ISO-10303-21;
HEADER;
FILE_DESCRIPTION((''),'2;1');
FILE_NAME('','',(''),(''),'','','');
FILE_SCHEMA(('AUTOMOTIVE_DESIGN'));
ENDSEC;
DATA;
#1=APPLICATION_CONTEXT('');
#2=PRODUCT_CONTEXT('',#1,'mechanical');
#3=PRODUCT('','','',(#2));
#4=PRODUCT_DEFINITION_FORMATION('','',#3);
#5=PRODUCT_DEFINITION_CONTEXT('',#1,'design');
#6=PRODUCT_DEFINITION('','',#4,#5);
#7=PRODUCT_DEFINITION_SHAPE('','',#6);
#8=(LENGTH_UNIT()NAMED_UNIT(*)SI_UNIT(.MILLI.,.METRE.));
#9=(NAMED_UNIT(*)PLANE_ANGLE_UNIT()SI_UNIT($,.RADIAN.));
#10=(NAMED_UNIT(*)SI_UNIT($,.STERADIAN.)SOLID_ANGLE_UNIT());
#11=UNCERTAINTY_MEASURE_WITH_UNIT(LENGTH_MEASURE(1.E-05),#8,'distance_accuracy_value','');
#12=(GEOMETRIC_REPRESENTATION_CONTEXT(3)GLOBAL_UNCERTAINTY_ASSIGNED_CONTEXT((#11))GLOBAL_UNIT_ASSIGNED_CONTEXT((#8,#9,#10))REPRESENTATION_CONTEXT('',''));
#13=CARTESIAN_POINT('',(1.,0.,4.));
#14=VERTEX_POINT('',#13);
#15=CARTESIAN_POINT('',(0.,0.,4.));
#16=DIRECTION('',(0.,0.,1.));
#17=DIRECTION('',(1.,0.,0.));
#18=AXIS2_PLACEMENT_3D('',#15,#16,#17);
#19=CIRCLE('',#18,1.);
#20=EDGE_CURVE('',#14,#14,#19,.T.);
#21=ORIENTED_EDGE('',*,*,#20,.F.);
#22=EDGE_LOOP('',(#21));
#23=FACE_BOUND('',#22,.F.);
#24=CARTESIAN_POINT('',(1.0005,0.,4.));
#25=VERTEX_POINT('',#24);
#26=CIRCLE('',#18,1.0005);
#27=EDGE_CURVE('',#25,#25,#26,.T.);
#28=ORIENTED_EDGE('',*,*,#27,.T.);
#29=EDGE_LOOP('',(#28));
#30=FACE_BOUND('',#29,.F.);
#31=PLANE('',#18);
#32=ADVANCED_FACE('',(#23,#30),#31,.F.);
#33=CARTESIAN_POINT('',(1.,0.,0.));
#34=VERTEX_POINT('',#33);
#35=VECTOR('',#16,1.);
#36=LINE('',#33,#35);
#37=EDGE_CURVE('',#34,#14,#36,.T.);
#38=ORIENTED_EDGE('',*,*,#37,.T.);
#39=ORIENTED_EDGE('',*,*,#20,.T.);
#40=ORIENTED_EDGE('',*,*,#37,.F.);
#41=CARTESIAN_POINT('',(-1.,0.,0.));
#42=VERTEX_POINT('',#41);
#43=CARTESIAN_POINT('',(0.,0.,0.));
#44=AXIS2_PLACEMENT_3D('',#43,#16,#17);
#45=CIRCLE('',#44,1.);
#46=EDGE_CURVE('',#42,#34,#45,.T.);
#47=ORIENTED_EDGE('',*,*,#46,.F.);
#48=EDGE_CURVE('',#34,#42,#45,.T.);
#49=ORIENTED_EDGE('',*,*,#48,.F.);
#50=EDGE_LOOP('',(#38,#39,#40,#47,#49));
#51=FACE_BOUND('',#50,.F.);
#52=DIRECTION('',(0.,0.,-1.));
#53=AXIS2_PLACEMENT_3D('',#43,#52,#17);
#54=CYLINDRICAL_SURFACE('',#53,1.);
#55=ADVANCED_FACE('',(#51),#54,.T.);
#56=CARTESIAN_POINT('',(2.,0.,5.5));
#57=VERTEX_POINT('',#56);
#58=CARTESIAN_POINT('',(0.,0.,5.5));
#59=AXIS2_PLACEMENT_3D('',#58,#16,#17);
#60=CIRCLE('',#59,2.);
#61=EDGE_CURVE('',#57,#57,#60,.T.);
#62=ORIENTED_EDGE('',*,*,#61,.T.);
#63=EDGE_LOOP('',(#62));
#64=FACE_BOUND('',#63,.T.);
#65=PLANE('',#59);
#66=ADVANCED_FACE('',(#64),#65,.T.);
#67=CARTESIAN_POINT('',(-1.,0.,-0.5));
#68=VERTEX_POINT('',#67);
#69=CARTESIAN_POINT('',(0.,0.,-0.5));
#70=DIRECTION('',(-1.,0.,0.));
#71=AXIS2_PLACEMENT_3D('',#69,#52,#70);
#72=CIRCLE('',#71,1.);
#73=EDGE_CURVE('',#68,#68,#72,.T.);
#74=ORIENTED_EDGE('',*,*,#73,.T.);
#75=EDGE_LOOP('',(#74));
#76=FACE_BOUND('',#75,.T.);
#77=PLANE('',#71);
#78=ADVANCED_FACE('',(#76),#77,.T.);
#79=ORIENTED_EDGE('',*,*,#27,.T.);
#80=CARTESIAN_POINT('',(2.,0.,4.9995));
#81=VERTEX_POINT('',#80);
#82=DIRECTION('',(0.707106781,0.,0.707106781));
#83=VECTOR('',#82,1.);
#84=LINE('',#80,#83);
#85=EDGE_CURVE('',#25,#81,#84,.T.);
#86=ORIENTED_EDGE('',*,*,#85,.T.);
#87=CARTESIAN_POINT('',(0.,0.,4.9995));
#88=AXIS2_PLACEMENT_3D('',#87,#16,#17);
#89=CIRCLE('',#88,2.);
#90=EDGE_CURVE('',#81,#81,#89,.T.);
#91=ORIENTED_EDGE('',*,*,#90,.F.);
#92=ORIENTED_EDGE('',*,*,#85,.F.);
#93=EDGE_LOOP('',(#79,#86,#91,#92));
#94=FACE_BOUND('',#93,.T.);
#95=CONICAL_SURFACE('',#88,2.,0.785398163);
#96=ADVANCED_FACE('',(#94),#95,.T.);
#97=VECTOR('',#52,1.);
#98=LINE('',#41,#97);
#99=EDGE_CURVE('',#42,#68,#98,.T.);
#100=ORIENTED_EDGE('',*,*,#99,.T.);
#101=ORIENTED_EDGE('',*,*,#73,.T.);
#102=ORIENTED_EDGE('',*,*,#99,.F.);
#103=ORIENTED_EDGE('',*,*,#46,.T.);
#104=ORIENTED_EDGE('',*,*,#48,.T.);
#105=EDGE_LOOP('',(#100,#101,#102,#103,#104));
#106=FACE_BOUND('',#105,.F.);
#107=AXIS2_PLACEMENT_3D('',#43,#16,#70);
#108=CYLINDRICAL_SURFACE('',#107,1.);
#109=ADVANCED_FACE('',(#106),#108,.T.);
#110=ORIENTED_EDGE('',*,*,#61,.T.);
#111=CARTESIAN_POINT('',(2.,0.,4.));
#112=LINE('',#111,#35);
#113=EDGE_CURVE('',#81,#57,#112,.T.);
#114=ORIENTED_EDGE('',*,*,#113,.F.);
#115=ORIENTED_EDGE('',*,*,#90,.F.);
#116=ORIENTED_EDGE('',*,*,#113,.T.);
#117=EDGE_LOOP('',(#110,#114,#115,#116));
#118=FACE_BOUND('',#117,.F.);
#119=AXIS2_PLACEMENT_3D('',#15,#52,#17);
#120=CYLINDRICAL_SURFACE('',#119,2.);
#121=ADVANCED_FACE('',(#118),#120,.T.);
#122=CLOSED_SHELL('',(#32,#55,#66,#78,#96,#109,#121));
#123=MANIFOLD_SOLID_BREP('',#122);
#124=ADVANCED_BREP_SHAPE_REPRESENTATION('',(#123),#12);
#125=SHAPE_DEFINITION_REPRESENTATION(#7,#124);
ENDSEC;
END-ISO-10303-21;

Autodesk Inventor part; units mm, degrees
ref_plane "YZ Plane" through (0, 0, 0) normal (1, 0, 0) x (0, 1, 0)
ref_plane "XZ Plane" through (0, 0, 0) normal (0, 1, 0) x (-1, 0, 0)
ref_plane "XY Plane" through (0, 0, 0) normal (0, 0, 1) x (1, 0, 0)
sketch "スケッチ1" plane through (0, 0, 0) normal (0, 0, 1) x (1, 0, 0)
  circle A0 centre (0, 0) radius 1
  dimension "d0" = 2
extrude "押し出し1" add sketch "スケッチ1" along normal blind 4
sketch "スケッチ2" plane through (0, 0, 4) normal (0, 0, 1) x (1, 0, 0)
  circle A0 centre (0, 0) radius 1 projected
  circle A1 centre (0, 0) radius 2
  dimension "d3" = 4
extrude "押し出し2" add sketch "スケッチ2" along normal blind 1.5 contours A0 | A1
chamfer "面取り1" distance 1 angle 45 1 edges at (-2, 0, 4)
thread "ねじ1" size "M2x0.4" class "6g" standard "ANSI Metric M Profile" full length
sketch "スケッチ3" plane through (0, 0, 0) normal (0, 0, -1) x (-1, 0, 0)
  circle A0 centre (0, 0) radius 1 projected
extrude "押し出し3" add sketch "スケッチ3" along normal blind 0.5
properties part number "SB M2 8mm皿ネジ" material "Steel"
